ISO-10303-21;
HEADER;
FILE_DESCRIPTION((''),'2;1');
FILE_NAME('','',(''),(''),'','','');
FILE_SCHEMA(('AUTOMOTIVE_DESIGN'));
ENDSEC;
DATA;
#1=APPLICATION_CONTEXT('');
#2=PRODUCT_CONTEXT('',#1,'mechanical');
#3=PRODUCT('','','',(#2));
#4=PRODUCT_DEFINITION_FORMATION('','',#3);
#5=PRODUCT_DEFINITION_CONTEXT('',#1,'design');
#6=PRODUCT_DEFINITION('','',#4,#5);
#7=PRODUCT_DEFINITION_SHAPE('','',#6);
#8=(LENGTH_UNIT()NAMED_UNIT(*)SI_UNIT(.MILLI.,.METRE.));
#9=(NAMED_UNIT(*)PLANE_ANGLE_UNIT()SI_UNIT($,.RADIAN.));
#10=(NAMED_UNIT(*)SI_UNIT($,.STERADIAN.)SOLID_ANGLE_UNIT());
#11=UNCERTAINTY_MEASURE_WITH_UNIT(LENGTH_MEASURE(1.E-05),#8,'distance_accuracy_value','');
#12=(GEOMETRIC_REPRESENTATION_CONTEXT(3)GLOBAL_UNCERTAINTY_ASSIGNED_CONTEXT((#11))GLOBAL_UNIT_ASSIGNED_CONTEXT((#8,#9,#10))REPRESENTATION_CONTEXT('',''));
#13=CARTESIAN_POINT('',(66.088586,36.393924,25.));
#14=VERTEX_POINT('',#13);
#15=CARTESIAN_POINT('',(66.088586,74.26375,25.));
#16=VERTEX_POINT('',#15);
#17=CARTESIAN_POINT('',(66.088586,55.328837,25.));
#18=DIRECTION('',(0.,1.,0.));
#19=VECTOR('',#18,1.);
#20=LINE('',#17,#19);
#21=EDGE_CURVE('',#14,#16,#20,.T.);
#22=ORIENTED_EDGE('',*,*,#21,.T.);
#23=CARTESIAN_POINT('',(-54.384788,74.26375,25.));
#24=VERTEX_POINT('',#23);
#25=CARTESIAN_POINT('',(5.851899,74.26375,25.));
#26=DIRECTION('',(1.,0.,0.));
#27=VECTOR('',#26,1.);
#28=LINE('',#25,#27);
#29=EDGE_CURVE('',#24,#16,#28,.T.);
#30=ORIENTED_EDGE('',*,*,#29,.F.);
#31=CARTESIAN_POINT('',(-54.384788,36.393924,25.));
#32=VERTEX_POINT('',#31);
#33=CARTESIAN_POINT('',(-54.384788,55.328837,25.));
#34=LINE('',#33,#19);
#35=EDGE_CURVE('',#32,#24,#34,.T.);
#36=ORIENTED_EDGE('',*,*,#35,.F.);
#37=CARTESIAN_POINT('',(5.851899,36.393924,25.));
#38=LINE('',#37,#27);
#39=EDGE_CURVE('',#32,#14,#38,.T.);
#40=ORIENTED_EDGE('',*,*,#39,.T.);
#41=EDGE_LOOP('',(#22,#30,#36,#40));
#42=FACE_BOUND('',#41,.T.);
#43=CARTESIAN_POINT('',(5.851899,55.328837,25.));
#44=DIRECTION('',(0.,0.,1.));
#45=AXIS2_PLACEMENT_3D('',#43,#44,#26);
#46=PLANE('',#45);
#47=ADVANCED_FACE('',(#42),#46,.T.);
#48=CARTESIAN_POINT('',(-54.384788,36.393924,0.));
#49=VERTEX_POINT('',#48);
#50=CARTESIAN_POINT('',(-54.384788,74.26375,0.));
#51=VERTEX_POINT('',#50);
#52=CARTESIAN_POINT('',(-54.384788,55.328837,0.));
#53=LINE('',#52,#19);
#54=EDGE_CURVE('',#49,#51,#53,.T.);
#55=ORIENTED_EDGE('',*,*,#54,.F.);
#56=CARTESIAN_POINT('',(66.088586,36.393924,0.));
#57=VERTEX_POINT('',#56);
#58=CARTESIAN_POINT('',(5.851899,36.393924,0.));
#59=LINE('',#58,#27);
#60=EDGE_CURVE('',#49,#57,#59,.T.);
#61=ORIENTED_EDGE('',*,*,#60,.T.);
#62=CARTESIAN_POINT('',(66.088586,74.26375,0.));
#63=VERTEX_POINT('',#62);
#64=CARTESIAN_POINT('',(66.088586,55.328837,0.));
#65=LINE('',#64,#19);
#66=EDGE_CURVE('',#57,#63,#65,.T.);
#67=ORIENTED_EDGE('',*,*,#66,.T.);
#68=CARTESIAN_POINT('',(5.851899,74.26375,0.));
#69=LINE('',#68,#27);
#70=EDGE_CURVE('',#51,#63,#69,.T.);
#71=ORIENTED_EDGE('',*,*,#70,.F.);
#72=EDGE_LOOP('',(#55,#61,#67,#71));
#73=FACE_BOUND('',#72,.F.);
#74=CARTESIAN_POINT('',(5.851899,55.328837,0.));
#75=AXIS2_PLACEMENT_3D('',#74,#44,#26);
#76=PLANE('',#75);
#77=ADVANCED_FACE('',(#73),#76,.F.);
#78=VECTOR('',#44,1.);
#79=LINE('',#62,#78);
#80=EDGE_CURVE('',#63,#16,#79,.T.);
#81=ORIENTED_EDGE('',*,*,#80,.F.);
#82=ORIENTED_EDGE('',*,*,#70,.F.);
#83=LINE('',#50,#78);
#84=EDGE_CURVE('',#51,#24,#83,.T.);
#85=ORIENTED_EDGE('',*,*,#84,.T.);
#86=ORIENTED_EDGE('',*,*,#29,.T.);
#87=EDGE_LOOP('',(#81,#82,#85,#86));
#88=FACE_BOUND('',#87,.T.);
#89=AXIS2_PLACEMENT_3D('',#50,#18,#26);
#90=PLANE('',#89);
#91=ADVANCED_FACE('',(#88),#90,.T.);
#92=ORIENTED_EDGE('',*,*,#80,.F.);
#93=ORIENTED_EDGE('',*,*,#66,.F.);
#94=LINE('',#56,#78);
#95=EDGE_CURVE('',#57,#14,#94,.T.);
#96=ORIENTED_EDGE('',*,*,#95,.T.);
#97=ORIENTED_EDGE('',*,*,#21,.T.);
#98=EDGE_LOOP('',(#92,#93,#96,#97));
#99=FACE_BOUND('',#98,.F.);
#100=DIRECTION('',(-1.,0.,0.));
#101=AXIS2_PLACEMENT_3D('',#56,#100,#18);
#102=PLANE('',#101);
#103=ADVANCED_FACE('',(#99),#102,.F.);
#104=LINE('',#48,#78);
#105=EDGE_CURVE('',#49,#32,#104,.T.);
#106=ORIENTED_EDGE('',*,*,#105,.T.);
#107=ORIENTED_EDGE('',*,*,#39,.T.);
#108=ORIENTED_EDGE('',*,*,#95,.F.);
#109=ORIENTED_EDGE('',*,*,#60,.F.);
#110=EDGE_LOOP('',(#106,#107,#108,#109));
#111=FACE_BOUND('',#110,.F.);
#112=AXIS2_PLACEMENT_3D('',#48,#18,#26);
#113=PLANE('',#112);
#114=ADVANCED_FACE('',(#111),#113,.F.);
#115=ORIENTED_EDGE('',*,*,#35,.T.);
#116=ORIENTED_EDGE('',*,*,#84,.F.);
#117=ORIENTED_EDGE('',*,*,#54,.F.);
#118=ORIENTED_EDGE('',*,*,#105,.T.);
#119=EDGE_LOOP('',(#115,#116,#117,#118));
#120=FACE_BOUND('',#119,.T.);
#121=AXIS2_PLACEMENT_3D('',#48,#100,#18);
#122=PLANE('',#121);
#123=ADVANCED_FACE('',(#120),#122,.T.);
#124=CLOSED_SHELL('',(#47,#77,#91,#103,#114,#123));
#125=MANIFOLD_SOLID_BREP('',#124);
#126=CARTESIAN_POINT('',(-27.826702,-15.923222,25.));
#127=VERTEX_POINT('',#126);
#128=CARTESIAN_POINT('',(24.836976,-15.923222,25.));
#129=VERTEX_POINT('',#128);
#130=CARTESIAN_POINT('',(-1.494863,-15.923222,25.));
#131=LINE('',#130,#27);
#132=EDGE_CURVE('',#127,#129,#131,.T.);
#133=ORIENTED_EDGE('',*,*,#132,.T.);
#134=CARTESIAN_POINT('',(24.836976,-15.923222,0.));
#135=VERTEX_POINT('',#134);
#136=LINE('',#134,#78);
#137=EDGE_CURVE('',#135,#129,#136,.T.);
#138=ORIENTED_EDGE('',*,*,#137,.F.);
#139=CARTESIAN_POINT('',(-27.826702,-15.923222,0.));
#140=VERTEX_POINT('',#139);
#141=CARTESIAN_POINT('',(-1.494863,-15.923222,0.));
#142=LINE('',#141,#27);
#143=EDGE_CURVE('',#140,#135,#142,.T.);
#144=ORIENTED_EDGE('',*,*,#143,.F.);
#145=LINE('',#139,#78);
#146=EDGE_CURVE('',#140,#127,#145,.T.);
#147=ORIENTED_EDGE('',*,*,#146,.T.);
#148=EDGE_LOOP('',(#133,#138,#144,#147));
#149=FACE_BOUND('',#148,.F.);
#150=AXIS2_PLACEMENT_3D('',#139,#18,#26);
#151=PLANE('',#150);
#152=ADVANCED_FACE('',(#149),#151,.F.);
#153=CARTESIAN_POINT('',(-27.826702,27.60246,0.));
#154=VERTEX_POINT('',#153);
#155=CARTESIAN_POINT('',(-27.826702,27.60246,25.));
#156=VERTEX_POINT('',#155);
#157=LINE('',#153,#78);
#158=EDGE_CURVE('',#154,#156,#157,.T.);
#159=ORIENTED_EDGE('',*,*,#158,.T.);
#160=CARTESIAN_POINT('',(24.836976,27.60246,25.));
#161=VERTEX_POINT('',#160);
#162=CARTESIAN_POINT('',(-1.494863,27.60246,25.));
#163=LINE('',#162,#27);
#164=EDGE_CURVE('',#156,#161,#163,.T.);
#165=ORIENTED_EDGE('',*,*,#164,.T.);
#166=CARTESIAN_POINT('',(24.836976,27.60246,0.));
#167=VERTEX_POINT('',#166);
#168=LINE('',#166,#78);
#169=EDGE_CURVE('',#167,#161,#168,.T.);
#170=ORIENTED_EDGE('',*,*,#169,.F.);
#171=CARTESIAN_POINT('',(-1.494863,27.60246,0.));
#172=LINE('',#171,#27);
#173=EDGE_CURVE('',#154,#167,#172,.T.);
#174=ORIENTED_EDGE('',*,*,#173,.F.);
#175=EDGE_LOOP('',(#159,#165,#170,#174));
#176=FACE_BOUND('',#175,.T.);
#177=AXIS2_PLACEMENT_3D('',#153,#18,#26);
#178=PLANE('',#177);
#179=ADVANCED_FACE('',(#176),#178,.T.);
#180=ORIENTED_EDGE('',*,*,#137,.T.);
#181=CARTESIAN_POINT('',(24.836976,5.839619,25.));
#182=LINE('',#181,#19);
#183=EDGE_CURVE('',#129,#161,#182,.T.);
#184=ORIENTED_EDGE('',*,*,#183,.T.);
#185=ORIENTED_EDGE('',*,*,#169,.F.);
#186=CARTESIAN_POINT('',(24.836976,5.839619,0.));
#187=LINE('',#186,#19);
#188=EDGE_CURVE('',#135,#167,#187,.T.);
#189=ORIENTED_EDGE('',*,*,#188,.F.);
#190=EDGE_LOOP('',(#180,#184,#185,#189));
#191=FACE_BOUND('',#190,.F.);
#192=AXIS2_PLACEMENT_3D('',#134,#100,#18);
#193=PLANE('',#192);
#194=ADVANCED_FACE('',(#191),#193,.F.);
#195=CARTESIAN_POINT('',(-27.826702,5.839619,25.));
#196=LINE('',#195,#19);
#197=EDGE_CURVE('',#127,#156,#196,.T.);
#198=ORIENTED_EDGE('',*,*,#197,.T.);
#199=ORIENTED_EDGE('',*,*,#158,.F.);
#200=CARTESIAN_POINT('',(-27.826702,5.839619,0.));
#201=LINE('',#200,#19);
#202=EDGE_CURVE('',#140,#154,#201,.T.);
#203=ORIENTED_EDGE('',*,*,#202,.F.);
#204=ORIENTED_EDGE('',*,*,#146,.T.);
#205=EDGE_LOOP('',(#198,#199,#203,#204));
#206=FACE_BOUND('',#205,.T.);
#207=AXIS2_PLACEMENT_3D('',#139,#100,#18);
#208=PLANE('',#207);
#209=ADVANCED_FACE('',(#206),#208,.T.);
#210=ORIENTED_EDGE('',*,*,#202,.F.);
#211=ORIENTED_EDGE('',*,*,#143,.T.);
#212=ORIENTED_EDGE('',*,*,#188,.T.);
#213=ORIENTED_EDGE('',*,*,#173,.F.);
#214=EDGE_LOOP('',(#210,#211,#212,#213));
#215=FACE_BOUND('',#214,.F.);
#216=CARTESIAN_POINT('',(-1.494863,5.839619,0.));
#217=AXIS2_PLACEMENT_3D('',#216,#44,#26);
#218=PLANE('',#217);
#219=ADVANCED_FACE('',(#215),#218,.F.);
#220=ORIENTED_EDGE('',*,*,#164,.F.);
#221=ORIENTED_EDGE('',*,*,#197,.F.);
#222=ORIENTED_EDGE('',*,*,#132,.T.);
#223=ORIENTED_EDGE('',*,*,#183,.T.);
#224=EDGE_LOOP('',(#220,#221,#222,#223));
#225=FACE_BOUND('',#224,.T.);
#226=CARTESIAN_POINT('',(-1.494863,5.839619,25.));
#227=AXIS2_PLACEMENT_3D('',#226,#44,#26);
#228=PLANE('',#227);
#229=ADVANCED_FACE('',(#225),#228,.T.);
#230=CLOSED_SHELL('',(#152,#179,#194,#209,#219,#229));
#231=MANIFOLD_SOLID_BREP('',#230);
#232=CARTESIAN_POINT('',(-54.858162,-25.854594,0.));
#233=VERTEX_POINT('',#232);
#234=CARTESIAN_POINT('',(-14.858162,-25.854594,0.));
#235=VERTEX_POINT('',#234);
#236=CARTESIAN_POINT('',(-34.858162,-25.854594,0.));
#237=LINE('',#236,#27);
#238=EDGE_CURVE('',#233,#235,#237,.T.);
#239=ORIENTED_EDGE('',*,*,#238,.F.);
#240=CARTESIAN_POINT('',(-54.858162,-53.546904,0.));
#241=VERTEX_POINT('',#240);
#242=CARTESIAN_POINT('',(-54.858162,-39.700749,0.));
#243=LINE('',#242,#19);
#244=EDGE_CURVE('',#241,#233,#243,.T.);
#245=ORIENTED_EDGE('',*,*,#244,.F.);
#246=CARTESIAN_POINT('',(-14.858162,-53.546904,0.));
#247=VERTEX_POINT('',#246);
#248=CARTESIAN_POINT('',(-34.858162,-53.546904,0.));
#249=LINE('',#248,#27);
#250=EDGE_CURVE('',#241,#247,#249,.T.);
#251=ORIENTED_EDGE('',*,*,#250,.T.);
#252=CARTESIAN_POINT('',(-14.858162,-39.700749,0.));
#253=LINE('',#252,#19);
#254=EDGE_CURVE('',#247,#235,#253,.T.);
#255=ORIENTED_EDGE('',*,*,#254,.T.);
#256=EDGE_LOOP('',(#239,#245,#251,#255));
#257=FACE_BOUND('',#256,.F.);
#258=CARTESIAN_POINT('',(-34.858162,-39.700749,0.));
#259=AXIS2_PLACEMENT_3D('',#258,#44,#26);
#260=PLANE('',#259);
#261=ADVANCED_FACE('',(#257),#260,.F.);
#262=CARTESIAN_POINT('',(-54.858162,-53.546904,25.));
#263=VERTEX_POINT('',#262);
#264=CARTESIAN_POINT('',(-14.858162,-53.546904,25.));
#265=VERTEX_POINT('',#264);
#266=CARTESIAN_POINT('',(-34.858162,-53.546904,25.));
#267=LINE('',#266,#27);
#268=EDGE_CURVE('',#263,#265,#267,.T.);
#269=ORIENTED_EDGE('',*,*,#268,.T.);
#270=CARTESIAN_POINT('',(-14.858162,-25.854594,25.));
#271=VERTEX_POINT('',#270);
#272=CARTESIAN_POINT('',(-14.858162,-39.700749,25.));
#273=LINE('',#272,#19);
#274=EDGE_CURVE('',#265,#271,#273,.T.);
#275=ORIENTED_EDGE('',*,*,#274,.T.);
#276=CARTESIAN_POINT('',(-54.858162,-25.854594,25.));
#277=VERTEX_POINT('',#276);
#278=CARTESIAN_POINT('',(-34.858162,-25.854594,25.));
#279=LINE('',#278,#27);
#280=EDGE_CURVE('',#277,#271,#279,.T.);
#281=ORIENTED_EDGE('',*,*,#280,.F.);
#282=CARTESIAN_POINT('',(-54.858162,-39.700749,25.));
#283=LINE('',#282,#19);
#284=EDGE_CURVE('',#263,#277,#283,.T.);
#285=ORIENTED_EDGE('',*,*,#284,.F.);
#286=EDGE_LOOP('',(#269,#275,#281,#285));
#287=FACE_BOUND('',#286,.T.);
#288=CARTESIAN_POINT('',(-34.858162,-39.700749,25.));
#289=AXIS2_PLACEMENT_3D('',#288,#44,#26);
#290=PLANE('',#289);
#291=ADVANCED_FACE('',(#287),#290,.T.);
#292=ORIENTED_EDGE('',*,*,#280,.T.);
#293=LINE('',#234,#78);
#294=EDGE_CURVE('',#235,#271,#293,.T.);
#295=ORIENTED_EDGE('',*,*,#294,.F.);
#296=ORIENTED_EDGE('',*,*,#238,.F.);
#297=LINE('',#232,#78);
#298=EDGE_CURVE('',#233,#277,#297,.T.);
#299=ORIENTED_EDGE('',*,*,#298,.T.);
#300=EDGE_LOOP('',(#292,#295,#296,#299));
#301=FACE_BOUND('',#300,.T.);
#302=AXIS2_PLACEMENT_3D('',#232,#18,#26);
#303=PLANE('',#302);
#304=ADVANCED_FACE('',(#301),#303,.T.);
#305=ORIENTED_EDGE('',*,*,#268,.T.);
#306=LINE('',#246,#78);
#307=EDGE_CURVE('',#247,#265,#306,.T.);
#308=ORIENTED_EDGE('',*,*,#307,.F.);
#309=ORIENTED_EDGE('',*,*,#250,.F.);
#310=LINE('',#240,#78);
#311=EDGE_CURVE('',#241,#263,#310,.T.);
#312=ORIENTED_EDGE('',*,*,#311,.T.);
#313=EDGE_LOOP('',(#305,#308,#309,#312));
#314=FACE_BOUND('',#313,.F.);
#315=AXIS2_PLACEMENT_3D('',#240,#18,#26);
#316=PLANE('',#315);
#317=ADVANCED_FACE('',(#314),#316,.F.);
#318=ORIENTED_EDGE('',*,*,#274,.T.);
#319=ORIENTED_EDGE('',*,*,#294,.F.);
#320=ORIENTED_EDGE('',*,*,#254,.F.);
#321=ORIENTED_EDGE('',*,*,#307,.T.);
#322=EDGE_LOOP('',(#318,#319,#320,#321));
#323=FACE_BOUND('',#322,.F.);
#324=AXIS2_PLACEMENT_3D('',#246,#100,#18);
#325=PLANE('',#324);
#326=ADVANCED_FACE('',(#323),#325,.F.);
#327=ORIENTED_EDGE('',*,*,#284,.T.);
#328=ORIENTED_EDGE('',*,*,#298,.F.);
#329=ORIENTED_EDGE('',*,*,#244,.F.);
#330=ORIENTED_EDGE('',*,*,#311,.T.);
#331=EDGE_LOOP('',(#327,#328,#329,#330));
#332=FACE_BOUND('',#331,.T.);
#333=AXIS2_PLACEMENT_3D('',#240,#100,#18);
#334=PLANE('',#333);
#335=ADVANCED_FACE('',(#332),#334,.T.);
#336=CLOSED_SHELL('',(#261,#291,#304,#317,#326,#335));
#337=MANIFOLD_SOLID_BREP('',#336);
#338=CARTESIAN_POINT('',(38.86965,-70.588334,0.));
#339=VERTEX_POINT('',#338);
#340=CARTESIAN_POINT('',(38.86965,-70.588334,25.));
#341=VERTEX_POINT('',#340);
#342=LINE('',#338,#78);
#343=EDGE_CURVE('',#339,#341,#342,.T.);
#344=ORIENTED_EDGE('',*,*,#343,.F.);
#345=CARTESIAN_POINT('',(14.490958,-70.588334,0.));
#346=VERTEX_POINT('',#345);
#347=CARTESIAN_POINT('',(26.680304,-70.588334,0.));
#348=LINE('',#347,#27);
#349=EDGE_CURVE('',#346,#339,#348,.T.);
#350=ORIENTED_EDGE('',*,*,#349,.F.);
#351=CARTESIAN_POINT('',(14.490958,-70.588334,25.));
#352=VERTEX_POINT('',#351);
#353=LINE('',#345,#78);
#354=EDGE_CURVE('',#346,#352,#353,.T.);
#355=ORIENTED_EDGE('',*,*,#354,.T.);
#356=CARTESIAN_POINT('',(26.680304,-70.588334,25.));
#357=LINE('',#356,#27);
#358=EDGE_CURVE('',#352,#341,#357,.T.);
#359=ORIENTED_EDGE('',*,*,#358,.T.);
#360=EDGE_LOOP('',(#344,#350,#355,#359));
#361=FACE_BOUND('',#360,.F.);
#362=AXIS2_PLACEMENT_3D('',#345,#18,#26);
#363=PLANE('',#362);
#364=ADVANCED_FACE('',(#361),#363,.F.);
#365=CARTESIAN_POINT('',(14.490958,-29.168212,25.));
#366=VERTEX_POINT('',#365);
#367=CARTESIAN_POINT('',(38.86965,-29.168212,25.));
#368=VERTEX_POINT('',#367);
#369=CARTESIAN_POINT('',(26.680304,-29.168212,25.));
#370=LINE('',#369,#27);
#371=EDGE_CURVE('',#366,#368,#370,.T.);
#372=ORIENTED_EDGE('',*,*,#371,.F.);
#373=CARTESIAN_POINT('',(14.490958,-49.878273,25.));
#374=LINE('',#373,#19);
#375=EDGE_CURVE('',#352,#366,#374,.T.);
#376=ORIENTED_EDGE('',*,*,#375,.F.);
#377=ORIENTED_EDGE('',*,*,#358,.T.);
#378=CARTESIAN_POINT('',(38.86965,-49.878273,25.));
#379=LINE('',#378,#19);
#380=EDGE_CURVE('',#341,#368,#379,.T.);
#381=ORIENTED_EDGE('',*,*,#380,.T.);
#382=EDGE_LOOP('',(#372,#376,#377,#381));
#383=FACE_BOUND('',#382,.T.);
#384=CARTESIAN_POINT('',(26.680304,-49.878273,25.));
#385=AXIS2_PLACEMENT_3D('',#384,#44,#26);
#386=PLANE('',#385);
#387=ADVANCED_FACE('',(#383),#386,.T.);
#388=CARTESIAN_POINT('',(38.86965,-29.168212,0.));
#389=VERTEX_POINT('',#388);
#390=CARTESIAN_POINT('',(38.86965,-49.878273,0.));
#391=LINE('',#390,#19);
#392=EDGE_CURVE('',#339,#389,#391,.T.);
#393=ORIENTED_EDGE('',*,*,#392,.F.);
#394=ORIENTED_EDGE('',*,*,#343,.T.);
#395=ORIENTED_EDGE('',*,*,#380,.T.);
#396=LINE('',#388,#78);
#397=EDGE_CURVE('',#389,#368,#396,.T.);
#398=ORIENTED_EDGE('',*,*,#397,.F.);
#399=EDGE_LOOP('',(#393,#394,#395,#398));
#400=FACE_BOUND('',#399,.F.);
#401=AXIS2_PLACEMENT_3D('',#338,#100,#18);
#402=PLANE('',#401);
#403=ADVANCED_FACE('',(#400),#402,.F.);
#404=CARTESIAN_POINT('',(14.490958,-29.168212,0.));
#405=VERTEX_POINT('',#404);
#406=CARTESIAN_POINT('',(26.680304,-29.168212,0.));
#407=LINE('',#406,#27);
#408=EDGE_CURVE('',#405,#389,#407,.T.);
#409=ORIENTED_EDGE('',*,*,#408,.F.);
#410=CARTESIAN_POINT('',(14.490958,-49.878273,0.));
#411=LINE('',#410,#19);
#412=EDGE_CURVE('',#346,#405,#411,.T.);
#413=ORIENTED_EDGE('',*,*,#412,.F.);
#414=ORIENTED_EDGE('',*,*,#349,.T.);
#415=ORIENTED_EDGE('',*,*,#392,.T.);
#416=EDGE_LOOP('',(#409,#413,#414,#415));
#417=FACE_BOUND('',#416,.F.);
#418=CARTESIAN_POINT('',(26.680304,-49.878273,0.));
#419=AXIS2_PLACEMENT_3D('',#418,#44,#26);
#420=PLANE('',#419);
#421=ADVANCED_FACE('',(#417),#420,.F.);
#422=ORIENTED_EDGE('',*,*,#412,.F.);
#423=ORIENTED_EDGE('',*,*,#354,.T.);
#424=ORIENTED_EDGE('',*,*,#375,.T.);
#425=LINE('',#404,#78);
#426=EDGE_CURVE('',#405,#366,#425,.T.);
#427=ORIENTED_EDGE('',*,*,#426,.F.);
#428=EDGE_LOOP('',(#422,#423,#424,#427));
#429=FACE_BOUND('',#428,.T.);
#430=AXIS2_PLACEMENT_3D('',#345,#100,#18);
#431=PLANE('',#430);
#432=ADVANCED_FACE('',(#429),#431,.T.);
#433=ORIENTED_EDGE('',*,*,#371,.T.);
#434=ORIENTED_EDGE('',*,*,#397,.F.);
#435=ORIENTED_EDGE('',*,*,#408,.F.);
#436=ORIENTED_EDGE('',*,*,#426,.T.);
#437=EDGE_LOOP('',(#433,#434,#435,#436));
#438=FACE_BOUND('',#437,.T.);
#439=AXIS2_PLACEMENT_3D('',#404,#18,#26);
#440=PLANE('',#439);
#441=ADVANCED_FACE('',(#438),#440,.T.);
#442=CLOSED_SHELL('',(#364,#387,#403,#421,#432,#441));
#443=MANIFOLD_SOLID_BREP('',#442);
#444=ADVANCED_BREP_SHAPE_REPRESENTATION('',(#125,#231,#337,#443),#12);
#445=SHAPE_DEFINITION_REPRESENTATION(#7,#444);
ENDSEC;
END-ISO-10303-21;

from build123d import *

# Parameters (mm, degrees)
F0_W     = 52.663679
F0_H     = 43.525683
F0_W_2   = 40
F0_H_2   = 27.69231
F0_W_3   = 120.473374
F0_H_3   = 37.869826
F0_W_4   = 24.378693
F0_H_4   = 41.420122
F1_DEPTH = 25


with BuildPart() as f1:
    # F0 (on Top) → F1 (new body)
    with BuildSketch(Plane.XY):
        with Locations((-1.494863, 5.839619)):
            Rectangle(F0_W, F0_H)
        with Locations((-34.858162, -39.700749)):
            Rectangle(F0_W_2, F0_H_2)
        with Locations((5.851899, 55.328837)):
            Rectangle(F0_W_3, F0_H_3)
        with Locations((26.680304, -49.878273)):
            Rectangle(F0_W_4, F0_H_4)
    extrude(amount=F1_DEPTH)


solid = f1.part
